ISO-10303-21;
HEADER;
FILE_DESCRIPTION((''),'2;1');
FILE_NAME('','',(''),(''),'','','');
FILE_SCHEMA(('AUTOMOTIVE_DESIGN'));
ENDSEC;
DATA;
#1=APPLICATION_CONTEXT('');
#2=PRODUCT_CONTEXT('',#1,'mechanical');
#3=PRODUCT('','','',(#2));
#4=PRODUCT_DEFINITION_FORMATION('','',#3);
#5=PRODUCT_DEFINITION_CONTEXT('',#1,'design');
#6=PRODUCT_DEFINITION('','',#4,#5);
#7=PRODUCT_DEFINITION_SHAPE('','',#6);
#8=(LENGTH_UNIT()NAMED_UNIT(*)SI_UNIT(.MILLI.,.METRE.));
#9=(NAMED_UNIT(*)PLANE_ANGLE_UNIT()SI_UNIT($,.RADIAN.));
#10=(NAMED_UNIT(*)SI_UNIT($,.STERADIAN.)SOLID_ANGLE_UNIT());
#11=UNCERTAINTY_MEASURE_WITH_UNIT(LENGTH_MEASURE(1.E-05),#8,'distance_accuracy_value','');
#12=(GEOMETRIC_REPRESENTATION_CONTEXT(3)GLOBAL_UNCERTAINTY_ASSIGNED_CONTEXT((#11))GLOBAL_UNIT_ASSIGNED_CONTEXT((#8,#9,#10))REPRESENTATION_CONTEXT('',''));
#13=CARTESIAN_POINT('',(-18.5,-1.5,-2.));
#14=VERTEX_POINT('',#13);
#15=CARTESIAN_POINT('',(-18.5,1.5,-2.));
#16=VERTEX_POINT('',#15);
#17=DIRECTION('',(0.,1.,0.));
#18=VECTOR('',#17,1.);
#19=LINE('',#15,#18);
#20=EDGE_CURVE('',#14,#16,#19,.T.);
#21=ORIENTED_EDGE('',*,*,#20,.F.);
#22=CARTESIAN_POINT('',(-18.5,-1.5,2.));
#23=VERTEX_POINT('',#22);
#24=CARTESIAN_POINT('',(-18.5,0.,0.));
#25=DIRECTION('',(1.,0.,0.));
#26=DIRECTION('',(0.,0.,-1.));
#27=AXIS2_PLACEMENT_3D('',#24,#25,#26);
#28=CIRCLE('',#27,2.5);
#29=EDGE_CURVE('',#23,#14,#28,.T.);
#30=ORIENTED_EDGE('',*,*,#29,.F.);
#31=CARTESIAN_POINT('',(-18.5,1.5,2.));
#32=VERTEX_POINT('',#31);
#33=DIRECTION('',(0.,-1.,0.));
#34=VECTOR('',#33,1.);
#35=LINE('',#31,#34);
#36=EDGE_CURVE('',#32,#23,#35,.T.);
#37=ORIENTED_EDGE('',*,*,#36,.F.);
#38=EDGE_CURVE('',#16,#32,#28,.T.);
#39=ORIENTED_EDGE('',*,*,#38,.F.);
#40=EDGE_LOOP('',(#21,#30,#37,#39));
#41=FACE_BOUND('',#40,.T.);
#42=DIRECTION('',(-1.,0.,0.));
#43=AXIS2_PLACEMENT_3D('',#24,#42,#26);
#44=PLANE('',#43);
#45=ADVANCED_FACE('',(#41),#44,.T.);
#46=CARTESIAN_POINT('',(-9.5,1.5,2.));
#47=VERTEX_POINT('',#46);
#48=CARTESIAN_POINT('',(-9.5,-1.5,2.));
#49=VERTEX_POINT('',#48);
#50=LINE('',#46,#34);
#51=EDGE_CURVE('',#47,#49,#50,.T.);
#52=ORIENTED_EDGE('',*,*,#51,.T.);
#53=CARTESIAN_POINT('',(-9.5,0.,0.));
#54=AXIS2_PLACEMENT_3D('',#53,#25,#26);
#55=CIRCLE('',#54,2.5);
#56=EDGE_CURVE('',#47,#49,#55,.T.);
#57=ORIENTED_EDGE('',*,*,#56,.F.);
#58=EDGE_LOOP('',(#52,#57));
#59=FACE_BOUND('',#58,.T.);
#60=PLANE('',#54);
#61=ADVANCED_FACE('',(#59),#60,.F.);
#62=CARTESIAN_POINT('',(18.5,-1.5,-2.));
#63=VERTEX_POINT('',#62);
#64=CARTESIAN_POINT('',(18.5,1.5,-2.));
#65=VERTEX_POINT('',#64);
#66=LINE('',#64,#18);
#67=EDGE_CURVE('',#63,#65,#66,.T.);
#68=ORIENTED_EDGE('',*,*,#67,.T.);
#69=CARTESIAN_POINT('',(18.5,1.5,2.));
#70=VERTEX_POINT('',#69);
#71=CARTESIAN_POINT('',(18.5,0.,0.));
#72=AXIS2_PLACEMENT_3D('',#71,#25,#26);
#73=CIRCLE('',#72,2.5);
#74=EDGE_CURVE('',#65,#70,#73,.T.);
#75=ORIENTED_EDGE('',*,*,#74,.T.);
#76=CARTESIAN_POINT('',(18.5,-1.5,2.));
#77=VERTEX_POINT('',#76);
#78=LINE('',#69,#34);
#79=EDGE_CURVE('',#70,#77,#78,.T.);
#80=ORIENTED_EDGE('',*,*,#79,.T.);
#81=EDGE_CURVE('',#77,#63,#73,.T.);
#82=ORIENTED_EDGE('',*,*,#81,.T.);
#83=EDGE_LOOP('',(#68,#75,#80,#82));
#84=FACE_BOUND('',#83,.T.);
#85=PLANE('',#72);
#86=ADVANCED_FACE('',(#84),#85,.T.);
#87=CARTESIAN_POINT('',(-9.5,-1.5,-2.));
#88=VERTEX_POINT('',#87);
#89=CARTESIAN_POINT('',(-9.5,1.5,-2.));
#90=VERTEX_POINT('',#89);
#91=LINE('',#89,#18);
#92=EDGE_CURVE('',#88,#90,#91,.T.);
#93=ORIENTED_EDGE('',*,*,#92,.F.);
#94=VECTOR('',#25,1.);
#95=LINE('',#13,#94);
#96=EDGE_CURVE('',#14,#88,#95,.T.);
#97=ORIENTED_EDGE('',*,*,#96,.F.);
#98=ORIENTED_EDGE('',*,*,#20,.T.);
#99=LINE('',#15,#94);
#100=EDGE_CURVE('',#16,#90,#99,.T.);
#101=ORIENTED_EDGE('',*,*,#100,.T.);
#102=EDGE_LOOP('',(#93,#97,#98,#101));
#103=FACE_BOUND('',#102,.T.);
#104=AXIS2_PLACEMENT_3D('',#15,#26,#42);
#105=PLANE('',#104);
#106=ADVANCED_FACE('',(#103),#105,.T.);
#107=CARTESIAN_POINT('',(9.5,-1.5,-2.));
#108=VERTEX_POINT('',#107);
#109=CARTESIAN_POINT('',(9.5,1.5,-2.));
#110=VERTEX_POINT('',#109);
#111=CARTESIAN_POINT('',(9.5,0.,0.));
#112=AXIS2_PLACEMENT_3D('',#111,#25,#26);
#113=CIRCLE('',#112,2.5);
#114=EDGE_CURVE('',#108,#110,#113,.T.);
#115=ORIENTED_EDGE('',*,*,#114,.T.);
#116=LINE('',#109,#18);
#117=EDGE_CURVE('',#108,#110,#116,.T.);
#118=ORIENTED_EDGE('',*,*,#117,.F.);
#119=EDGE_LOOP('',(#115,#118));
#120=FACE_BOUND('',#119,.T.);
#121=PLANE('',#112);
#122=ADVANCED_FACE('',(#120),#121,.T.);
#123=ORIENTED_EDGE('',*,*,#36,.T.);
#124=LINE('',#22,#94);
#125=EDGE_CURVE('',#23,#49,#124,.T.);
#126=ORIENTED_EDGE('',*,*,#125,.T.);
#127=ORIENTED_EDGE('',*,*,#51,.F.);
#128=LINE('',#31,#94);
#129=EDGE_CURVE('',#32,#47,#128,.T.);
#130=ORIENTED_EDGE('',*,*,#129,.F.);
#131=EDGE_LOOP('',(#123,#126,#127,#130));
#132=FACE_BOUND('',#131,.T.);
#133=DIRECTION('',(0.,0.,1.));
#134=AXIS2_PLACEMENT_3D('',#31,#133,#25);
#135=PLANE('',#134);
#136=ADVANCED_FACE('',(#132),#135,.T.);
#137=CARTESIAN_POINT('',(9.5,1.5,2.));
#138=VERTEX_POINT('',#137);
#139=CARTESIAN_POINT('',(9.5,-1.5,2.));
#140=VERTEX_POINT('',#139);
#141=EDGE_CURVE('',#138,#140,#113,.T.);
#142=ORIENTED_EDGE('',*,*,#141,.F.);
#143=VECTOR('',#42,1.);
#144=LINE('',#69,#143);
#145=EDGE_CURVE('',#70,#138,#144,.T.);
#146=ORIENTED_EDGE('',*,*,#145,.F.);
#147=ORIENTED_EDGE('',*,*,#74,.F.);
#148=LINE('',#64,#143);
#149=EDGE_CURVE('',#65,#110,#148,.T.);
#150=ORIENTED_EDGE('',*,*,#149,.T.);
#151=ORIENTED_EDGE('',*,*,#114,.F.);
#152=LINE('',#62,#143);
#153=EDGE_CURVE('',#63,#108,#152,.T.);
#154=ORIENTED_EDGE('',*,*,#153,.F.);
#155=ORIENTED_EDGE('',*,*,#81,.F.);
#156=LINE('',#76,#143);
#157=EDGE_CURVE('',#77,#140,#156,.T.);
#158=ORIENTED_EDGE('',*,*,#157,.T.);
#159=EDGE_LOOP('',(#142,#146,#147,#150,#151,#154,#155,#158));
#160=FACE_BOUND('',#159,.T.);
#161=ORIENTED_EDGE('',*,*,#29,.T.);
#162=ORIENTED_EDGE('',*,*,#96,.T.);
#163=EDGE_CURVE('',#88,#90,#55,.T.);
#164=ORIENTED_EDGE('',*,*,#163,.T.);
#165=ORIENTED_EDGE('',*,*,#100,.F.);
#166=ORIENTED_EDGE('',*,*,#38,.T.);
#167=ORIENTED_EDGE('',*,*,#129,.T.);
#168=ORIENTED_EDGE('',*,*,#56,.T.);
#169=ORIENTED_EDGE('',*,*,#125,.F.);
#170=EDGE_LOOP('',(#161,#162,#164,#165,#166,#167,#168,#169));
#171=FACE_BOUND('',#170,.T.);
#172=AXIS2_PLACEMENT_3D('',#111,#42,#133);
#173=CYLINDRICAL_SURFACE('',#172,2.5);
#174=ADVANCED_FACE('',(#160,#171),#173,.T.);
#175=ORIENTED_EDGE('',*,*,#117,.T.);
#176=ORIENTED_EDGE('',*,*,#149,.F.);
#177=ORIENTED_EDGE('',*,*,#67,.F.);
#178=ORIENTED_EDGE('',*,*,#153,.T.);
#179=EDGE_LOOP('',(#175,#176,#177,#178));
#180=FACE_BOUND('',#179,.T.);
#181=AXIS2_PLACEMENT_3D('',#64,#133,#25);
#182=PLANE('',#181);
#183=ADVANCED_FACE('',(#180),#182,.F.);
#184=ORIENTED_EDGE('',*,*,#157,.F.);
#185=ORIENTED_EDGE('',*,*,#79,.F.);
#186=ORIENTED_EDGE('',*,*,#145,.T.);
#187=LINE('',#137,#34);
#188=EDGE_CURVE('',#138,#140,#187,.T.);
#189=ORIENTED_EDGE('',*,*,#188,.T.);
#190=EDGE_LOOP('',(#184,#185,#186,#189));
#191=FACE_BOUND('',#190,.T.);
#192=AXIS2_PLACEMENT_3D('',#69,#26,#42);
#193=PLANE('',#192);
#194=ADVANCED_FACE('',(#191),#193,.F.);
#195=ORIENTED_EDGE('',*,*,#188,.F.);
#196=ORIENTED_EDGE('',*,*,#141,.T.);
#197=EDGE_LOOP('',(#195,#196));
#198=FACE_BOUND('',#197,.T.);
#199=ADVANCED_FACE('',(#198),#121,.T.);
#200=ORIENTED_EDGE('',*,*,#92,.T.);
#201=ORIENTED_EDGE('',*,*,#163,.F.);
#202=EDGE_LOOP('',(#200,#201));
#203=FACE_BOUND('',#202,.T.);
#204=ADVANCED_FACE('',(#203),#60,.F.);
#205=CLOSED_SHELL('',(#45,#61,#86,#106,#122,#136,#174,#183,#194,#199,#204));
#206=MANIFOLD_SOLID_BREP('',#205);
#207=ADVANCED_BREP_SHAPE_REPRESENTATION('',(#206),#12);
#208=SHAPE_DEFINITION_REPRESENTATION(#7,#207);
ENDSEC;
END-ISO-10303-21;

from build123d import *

# Parameters (mm, degrees)
SKETCH1_R           = 2.5
BOSS_EXTRUDE1_DEPTH = 9.5
BOSS_EXTRUDE2_START = 9
BOSS_EXTRUDE2_DEPTH = 9


with BuildPart() as part:
    # Sketch1 → Boss-Extrude1 (new, symmetric)
    with BuildSketch(Plane(origin=(0, 0, 0), x_dir=(0, 0, -1), z_dir=(1, 0, 0))):
        Circle(SKETCH1_R)
    extrude(amount=BOSS_EXTRUDE1_DEPTH, both=True)

    # Sketch2 → Boss-Extrude2 (add)
    with BuildSketch(Plane(origin=(9.5, 0, 0), x_dir=(0, 0, -1), z_dir=(1, 0, 0)).offset(BOSS_EXTRUDE2_START)):
        with BuildLine():
            Line((-2, 1.5), (-2, -1.5))
            ThreePointArc((-2, -1.5), (0, -2.5), (2, -1.5))
            Line((2, -1.5), (2, 1.5))
            ThreePointArc((2, 1.5), (0, 2.5), (-2, 1.5))
        make_face()
    boss_extrude2 = extrude(amount=-BOSS_EXTRUDE2_DEPTH)

    # Mirror1: Boss-Extrude2 across plane
    add(boss_extrude2.mirror(Plane(origin=(0, 0, 0), x_dir=(0, 0, 1), z_dir=(1, 0, 0))))


solid = part.part
